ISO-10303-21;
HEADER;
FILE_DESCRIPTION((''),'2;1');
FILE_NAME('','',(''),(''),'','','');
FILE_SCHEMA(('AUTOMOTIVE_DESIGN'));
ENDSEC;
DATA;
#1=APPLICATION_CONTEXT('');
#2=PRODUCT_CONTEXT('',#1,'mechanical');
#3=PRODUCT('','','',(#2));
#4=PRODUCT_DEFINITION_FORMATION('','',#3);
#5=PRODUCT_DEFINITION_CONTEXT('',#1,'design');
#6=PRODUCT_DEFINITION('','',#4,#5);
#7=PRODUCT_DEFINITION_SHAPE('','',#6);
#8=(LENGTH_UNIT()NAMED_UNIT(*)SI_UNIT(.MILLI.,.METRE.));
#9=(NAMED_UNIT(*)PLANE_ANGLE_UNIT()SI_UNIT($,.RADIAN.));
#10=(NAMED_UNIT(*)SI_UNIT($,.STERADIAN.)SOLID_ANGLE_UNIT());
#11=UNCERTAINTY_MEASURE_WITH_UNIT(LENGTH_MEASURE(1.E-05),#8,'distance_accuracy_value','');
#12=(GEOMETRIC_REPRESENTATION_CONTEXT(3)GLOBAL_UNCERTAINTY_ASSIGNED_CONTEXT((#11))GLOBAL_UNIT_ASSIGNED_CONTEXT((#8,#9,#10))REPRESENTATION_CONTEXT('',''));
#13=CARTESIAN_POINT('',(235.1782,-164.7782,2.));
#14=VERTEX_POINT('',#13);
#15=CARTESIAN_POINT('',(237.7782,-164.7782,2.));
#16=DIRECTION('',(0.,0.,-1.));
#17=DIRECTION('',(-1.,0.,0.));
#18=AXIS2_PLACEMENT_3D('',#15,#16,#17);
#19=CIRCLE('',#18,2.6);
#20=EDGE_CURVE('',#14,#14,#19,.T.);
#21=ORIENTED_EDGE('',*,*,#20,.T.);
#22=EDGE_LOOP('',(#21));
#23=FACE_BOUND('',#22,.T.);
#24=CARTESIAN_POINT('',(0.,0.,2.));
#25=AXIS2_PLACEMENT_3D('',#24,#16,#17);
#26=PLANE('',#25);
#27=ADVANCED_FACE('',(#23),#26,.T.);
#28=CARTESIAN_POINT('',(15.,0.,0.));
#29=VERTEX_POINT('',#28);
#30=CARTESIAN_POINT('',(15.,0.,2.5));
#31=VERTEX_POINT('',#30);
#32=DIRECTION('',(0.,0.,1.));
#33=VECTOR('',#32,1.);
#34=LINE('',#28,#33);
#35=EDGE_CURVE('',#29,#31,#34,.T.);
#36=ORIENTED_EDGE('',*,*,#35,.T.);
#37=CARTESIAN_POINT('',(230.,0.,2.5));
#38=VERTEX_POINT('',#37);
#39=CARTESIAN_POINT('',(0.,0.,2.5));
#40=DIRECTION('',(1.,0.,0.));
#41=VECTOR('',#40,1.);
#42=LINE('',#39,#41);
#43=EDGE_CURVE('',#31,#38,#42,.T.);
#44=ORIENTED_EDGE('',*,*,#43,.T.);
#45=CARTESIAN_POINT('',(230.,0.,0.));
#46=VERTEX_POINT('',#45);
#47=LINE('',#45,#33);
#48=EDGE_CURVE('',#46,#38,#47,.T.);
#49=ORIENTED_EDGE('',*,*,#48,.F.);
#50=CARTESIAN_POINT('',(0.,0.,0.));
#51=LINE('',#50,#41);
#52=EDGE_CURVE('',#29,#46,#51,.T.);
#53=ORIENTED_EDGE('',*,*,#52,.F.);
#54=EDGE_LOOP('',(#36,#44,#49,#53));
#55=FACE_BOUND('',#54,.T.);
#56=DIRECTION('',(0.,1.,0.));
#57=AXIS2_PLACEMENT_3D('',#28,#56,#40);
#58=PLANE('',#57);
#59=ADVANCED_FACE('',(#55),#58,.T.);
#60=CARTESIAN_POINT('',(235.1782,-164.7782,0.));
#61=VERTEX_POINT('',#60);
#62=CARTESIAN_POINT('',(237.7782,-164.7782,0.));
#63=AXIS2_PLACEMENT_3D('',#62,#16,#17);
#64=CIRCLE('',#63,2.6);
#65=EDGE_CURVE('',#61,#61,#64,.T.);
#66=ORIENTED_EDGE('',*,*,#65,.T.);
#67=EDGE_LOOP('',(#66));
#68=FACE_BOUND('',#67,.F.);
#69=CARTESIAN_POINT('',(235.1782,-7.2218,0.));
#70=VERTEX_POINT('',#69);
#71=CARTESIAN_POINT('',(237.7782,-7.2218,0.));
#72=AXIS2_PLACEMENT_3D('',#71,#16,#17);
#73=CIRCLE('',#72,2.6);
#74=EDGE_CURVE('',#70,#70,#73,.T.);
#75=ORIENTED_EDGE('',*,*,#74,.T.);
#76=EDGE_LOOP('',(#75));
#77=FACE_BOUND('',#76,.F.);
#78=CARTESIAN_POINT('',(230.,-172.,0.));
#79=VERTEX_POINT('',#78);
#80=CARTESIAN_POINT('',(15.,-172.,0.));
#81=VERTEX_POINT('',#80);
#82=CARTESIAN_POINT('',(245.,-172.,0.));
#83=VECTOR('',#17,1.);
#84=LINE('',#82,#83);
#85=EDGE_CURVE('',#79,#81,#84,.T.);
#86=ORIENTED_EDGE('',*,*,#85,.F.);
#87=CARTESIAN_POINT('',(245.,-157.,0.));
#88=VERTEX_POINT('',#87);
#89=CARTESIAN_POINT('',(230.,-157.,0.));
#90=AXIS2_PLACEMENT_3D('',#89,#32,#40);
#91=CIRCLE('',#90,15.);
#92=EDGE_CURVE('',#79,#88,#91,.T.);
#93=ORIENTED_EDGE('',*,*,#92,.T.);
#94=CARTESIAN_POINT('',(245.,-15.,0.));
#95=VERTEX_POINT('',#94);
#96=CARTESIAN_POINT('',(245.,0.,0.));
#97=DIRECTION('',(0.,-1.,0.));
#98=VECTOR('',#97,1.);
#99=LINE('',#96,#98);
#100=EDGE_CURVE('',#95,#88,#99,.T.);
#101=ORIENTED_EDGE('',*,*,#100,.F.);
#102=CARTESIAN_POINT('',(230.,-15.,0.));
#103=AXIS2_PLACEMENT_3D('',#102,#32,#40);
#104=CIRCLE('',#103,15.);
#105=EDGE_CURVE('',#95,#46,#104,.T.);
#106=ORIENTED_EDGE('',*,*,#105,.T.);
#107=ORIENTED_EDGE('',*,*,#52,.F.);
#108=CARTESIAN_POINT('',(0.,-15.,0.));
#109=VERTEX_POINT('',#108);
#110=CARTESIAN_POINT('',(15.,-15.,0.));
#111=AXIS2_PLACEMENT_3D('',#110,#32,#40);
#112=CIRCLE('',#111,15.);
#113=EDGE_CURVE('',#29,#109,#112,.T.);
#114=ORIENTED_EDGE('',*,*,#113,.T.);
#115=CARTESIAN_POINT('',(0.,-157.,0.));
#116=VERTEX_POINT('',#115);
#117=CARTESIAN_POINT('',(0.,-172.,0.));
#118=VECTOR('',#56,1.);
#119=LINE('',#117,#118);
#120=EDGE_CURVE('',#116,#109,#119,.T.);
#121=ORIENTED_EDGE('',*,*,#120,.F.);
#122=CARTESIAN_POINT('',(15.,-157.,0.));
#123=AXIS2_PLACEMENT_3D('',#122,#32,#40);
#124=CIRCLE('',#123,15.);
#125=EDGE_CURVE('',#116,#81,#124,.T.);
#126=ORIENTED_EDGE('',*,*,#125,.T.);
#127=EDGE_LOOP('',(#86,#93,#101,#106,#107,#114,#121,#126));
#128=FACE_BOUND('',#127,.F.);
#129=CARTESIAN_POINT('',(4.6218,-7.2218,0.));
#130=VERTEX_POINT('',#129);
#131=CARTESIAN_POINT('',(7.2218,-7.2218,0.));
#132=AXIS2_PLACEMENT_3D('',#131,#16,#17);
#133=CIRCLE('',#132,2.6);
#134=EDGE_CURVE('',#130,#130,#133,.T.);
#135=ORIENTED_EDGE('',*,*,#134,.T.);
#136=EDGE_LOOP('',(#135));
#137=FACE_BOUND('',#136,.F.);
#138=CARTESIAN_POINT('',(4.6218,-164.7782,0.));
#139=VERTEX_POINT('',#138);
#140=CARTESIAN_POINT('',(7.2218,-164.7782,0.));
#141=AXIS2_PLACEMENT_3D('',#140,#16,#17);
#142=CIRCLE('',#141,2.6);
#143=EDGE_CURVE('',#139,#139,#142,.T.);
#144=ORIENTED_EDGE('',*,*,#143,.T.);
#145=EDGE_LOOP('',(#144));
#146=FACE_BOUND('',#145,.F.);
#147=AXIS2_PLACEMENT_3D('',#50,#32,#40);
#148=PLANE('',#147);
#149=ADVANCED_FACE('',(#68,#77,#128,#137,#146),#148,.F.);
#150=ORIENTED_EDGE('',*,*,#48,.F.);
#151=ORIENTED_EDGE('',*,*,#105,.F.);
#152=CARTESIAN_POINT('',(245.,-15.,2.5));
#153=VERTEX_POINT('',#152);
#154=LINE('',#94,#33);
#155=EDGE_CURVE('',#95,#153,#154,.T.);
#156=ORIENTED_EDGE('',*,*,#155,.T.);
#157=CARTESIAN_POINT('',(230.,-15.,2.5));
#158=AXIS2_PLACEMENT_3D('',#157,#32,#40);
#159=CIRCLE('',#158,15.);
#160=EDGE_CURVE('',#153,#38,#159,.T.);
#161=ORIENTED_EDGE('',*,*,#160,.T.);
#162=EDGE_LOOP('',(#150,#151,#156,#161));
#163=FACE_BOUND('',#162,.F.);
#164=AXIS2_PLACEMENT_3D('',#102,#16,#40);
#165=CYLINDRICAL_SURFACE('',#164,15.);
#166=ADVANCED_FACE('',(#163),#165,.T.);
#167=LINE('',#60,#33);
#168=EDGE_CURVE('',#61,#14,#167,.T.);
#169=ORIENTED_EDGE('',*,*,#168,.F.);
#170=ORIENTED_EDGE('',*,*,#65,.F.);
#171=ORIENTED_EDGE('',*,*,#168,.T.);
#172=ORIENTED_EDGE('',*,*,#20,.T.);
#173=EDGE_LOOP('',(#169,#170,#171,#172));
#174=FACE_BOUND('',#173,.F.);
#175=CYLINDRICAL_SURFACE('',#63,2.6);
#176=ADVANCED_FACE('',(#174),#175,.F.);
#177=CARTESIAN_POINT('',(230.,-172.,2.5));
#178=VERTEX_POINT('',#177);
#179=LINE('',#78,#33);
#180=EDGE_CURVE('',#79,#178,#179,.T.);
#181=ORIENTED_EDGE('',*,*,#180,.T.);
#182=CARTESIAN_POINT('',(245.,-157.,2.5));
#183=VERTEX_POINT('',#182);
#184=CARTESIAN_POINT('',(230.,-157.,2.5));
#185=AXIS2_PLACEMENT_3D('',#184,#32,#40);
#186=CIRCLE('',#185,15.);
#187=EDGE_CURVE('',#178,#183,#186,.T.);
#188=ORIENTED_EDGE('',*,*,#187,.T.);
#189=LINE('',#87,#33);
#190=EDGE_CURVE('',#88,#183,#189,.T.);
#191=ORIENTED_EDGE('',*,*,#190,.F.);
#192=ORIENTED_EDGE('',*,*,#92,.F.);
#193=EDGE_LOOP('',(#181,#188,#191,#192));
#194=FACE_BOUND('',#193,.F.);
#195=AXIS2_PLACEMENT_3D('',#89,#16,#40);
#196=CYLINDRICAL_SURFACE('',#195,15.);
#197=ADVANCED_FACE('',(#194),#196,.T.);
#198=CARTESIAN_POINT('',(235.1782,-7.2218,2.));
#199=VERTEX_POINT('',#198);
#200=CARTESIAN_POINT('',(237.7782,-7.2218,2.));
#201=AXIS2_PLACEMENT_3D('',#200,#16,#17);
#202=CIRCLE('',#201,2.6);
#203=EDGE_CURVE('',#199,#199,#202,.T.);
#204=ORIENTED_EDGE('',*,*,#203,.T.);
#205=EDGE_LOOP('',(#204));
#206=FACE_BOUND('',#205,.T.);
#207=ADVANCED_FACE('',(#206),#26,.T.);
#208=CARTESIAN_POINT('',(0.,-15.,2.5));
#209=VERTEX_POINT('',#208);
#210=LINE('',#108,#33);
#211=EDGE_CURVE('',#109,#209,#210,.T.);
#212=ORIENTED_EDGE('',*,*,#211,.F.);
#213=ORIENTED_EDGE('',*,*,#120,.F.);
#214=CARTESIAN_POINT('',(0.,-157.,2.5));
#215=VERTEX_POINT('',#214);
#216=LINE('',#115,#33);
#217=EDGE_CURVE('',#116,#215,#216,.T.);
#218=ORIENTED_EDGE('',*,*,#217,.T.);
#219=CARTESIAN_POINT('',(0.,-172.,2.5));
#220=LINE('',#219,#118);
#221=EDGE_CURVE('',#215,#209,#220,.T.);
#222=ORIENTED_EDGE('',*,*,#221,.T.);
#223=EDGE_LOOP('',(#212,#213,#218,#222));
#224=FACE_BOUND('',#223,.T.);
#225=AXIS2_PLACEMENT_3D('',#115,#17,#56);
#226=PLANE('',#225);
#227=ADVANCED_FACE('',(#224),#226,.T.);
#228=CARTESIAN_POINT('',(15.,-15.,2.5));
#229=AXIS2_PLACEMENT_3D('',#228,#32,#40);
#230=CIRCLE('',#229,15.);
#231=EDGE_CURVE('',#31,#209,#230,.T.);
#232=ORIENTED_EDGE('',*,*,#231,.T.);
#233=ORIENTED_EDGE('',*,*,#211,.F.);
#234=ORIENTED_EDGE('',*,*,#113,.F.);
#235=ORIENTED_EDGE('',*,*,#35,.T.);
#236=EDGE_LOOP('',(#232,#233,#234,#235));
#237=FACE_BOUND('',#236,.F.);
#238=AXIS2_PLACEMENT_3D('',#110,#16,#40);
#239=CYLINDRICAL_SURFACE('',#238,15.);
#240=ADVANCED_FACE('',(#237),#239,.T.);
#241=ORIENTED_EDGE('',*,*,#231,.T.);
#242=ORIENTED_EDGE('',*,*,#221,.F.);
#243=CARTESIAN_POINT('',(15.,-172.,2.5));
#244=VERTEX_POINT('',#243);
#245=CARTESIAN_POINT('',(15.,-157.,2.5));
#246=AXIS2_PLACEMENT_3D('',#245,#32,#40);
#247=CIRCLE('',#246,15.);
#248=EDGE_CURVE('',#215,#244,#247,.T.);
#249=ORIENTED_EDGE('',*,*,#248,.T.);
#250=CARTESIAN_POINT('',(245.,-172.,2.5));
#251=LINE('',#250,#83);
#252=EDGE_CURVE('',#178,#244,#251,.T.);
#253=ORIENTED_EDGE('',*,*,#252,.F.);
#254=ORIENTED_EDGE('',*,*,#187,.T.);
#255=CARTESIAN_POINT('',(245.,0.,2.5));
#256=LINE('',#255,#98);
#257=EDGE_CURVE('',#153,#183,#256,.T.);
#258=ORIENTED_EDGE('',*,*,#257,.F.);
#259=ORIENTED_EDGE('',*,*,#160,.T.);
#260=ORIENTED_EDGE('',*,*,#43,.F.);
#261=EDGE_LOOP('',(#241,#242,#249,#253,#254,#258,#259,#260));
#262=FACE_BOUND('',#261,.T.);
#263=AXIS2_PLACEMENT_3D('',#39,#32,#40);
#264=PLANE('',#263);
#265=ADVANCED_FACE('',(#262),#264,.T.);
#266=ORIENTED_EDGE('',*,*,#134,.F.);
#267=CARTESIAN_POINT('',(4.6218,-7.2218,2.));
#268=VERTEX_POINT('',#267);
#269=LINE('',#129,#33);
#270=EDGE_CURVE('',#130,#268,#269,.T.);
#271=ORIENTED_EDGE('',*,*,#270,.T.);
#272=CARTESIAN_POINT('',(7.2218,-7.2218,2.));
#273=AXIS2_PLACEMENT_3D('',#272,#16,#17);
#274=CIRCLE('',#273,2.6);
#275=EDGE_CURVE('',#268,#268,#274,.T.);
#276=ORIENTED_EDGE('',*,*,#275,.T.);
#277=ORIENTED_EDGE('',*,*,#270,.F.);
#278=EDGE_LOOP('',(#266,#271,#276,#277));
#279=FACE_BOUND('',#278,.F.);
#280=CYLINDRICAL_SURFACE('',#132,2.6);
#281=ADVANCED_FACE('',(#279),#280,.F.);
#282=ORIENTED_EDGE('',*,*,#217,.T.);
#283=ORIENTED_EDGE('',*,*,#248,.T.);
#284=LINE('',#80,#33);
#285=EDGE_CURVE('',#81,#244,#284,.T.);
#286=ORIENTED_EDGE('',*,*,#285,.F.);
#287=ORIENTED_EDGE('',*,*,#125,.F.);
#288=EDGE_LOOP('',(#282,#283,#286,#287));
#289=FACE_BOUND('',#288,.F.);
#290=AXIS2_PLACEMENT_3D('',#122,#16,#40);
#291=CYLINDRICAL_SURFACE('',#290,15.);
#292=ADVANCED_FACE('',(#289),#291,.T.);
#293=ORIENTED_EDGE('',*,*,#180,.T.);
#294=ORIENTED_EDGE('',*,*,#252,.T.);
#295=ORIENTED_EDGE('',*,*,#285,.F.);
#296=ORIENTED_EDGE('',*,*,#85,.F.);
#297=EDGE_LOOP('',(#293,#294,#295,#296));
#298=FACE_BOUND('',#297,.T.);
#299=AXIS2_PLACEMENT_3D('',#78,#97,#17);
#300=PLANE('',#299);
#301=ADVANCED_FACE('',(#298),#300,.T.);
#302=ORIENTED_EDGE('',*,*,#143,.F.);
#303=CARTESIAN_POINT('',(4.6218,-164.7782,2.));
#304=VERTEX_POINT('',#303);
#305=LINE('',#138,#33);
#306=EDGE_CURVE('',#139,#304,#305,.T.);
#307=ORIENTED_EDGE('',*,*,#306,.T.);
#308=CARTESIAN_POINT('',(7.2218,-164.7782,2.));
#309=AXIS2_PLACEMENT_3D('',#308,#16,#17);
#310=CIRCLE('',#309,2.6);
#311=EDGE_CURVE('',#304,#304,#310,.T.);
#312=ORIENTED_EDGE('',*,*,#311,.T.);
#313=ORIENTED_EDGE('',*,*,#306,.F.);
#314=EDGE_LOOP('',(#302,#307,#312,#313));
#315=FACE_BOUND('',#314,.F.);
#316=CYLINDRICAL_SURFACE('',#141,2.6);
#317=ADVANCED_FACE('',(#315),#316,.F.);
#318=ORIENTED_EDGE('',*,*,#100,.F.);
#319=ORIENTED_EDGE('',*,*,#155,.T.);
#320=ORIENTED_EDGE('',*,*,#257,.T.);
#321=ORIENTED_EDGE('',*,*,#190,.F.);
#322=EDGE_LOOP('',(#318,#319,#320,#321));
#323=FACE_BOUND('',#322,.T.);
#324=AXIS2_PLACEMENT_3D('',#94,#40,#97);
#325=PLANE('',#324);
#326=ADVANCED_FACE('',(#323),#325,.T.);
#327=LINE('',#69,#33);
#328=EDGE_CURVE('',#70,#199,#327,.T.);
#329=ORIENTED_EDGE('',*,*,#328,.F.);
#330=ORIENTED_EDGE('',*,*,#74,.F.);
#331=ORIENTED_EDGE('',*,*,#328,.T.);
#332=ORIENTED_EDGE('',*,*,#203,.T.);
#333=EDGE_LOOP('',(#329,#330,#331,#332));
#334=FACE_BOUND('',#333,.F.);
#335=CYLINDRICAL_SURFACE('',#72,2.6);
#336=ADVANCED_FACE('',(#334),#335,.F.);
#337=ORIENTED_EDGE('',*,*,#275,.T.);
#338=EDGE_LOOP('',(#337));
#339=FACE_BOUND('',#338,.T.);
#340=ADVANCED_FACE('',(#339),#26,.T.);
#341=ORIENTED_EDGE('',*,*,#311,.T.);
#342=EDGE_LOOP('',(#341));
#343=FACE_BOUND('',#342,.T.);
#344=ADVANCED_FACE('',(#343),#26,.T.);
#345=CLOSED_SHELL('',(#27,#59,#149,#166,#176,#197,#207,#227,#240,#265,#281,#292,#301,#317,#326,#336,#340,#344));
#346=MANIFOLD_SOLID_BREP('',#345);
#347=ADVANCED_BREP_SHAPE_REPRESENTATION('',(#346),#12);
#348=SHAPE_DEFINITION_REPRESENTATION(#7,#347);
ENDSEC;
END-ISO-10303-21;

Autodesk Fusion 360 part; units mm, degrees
sketch "Base" plane through (0, 0, 0) normal (0, 0, 1) x (1, 0, 0)
  line L0 (0, 0) -> (245, 0)
  line L1 (245, 0) -> (245, -172)
  line L2 (245, -172) -> (0, -172)
  line L3 (0, -172) -> (0, 0)
  circle A0 centre (15, -15) radius 15
  circle A1 centre (230, -15) radius 15
  circle A2 centre (15, -157) radius 15
  circle A3 centre (230, -157) radius 15
  dimension "d4" = 172
  dimension "d5" = 245
  dimension "d6" = 30
  dimension "d7" = 30
  dimension "d8" = 30
  dimension "d9" = 30
extrude "Extrude1" add sketch "Base" along normal blind 2.5 contours L0 L1 L2 L3 A0 A1 A2 A3 | A0 | A1 | A2 | A3
sketch "Pared" plane through (0, 0, 2.5) normal (0, 0, 1) x (1, 0, 0)
  arc A0 (15, 0) -> (0, -15) centre (15, -15) ccw
  line L0 (0, -15) -> (0, -157)
  arc A1 (0, -157) -> (15, -172) centre (15, -157) ccw
  line L1 (15, -172) -> (230, -172)
  arc A2 (230, -172) -> (245, -157) centre (230, -157) ccw
  line L2 (245, -157) -> (245, -15)
  arc A3 (245, -15) -> (230, 0) centre (230, -15) ccw
  line L3 (230, 0) -> (15, 0)
  line L4 (2, -2) -> (243, -2)
  line L5 (243, -2) -> (243, -170)
  line L6 (243, -170) -> (2, -170)
  line L7 (2, -170) -> (2, -2)
  circle A4 centre (15, -157) radius 13
  circle A5 centre (15, -15) radius 13
  circle A6 centre (230, -15) radius 13
  circle A7 centre (230, -157) radius 13
  line L8 (0, 0) -> (15, -15) construction
  line L9 (4.3934, -4.3934) -> (5.8076, -5.8076) construction
  line L10 (243, -2) -> (230, -15) construction
  line L11 (243, -2) -> (258.3137, -2) construction
  line L12 (240.6066, -4.3934) -> (239.1924, -5.8076) construction
  line L13 (243, -170) -> (230, -157) construction
  line L14 (243, -170) -> (258.3137, -170) construction
  line L15 (240.6066, -167.6066) -> (239.1924, -166.1924) construction
  line L16 (2, -170) -> (15, -157) construction
  line L17 (2, -170) -> (14.3137, -170) construction
  line L18 (4.3934, -167.6066) -> (5.8076, -166.1924) construction
  dimension "d12" = 2
  dimension "d13" = 2
  dimension "d14" = 2
  dimension "d15" = 2
  dimension "d53" = 2
  dimension "d55" = 135
  dimension "d56" = 2
  dimension "d57" = 135
  dimension "d58" = 2
  dimension "d59" = 45
  dimension "d60" = 2
sketch "Imanes" plane through (0, 0, 0) normal (0, 0, -1) x (-1, 0, 0)
  circle A0 centre (-7.2218, -7.2218) radius 4
  circle A1 centre (-15, -15) radius 15 construction
  line L0 (0, 0) -> (-15, -15) construction
  circle A2 centre (-7.2218, -7.2218) radius 2.6
  circle A3 centre (-7.2218, -164.7782) radius 4
  circle A4 centre (-237.7782, -164.7782) radius 4
  circle A5 centre (-237.7782, -7.2218) radius 4
  circle A6 centre (-230, -15) radius 15 construction
  circle A7 centre (-230, -157) radius 15 construction
  circle A8 centre (-15, -157) radius 15 construction
  line L1 (0, -172) -> (-15, -157) construction
  line L2 (-245, -172) -> (-230, -157) construction
  line L3 (-245, 0) -> (-230, -15) construction
  circle A9 centre (-237.7782, -7.2218) radius 2.6
  circle A10 centre (-237.7782, -164.7782) radius 2.6
  circle A11 centre (-7.2218, -164.7782) radius 2.6
  point P0 (0, -172)
  point P1 (-245, -172)
  point P2 (-245, 0)
  dimension "d32" = 8
  dimension "d33" = 5.2
  dimension "d43" = 8
  dimension "d44" = 8
  dimension "d45" = 8
  dimension "d46" = 5.2
  dimension "d47" = 5.2
  dimension "d48" = 5.2
extrude "Extrude6" cut sketch "Imanes" against normal blind 2 contours A2 | A9 | A10 | A11
equation "d4 = bandeja_y"
equation "d5 = bandeja_x"
equation "d6 = bandeja_filet"
equation "d7 = bandeja_filet"
equation "d8 = bandeja_filet"
equation "d9 = bandeja_filet"
equation "d10 = extrusion_bandeja_piso"
equation "d12 = bandeja_pared"
equation "d13 = bandeja_pared"
equation "d14 = bandeja_pared"
equation "d15 = bandeja_pared"
equation "d32 = iman_pared"
equation "d33 = iman_diametro"
equation "d37 = -extrusion_iman_inferior"
equation "d43 = iman_pared"
equation "d44 = iman_pared"
equation "d45 = iman_pared"
equation "d46 = iman_diametro"
equation "d47 = iman_diametro"
equation "d48 = iman_diametro"
equation "d53 = bandeja_pared"
equation "d56 = bandeja_pared"
equation "d58 = bandeja_pared"
equation "d60 = bandeja_pared"
equation "bandeja_x = 245 mm"
equation "bandeja_y = 172 mm"
equation "bandeja_filet = 30 mm"
equation "bandeja_pared = 2 mm"
equation "iman_diametro = 5.2 mm"
equation "iman_pared = iman_diametro + 2.8 mm"
equation "extrusion_bandeja_piso = 2.5 mm"
equation "extrusion_iman_inferior = 2 mm"
